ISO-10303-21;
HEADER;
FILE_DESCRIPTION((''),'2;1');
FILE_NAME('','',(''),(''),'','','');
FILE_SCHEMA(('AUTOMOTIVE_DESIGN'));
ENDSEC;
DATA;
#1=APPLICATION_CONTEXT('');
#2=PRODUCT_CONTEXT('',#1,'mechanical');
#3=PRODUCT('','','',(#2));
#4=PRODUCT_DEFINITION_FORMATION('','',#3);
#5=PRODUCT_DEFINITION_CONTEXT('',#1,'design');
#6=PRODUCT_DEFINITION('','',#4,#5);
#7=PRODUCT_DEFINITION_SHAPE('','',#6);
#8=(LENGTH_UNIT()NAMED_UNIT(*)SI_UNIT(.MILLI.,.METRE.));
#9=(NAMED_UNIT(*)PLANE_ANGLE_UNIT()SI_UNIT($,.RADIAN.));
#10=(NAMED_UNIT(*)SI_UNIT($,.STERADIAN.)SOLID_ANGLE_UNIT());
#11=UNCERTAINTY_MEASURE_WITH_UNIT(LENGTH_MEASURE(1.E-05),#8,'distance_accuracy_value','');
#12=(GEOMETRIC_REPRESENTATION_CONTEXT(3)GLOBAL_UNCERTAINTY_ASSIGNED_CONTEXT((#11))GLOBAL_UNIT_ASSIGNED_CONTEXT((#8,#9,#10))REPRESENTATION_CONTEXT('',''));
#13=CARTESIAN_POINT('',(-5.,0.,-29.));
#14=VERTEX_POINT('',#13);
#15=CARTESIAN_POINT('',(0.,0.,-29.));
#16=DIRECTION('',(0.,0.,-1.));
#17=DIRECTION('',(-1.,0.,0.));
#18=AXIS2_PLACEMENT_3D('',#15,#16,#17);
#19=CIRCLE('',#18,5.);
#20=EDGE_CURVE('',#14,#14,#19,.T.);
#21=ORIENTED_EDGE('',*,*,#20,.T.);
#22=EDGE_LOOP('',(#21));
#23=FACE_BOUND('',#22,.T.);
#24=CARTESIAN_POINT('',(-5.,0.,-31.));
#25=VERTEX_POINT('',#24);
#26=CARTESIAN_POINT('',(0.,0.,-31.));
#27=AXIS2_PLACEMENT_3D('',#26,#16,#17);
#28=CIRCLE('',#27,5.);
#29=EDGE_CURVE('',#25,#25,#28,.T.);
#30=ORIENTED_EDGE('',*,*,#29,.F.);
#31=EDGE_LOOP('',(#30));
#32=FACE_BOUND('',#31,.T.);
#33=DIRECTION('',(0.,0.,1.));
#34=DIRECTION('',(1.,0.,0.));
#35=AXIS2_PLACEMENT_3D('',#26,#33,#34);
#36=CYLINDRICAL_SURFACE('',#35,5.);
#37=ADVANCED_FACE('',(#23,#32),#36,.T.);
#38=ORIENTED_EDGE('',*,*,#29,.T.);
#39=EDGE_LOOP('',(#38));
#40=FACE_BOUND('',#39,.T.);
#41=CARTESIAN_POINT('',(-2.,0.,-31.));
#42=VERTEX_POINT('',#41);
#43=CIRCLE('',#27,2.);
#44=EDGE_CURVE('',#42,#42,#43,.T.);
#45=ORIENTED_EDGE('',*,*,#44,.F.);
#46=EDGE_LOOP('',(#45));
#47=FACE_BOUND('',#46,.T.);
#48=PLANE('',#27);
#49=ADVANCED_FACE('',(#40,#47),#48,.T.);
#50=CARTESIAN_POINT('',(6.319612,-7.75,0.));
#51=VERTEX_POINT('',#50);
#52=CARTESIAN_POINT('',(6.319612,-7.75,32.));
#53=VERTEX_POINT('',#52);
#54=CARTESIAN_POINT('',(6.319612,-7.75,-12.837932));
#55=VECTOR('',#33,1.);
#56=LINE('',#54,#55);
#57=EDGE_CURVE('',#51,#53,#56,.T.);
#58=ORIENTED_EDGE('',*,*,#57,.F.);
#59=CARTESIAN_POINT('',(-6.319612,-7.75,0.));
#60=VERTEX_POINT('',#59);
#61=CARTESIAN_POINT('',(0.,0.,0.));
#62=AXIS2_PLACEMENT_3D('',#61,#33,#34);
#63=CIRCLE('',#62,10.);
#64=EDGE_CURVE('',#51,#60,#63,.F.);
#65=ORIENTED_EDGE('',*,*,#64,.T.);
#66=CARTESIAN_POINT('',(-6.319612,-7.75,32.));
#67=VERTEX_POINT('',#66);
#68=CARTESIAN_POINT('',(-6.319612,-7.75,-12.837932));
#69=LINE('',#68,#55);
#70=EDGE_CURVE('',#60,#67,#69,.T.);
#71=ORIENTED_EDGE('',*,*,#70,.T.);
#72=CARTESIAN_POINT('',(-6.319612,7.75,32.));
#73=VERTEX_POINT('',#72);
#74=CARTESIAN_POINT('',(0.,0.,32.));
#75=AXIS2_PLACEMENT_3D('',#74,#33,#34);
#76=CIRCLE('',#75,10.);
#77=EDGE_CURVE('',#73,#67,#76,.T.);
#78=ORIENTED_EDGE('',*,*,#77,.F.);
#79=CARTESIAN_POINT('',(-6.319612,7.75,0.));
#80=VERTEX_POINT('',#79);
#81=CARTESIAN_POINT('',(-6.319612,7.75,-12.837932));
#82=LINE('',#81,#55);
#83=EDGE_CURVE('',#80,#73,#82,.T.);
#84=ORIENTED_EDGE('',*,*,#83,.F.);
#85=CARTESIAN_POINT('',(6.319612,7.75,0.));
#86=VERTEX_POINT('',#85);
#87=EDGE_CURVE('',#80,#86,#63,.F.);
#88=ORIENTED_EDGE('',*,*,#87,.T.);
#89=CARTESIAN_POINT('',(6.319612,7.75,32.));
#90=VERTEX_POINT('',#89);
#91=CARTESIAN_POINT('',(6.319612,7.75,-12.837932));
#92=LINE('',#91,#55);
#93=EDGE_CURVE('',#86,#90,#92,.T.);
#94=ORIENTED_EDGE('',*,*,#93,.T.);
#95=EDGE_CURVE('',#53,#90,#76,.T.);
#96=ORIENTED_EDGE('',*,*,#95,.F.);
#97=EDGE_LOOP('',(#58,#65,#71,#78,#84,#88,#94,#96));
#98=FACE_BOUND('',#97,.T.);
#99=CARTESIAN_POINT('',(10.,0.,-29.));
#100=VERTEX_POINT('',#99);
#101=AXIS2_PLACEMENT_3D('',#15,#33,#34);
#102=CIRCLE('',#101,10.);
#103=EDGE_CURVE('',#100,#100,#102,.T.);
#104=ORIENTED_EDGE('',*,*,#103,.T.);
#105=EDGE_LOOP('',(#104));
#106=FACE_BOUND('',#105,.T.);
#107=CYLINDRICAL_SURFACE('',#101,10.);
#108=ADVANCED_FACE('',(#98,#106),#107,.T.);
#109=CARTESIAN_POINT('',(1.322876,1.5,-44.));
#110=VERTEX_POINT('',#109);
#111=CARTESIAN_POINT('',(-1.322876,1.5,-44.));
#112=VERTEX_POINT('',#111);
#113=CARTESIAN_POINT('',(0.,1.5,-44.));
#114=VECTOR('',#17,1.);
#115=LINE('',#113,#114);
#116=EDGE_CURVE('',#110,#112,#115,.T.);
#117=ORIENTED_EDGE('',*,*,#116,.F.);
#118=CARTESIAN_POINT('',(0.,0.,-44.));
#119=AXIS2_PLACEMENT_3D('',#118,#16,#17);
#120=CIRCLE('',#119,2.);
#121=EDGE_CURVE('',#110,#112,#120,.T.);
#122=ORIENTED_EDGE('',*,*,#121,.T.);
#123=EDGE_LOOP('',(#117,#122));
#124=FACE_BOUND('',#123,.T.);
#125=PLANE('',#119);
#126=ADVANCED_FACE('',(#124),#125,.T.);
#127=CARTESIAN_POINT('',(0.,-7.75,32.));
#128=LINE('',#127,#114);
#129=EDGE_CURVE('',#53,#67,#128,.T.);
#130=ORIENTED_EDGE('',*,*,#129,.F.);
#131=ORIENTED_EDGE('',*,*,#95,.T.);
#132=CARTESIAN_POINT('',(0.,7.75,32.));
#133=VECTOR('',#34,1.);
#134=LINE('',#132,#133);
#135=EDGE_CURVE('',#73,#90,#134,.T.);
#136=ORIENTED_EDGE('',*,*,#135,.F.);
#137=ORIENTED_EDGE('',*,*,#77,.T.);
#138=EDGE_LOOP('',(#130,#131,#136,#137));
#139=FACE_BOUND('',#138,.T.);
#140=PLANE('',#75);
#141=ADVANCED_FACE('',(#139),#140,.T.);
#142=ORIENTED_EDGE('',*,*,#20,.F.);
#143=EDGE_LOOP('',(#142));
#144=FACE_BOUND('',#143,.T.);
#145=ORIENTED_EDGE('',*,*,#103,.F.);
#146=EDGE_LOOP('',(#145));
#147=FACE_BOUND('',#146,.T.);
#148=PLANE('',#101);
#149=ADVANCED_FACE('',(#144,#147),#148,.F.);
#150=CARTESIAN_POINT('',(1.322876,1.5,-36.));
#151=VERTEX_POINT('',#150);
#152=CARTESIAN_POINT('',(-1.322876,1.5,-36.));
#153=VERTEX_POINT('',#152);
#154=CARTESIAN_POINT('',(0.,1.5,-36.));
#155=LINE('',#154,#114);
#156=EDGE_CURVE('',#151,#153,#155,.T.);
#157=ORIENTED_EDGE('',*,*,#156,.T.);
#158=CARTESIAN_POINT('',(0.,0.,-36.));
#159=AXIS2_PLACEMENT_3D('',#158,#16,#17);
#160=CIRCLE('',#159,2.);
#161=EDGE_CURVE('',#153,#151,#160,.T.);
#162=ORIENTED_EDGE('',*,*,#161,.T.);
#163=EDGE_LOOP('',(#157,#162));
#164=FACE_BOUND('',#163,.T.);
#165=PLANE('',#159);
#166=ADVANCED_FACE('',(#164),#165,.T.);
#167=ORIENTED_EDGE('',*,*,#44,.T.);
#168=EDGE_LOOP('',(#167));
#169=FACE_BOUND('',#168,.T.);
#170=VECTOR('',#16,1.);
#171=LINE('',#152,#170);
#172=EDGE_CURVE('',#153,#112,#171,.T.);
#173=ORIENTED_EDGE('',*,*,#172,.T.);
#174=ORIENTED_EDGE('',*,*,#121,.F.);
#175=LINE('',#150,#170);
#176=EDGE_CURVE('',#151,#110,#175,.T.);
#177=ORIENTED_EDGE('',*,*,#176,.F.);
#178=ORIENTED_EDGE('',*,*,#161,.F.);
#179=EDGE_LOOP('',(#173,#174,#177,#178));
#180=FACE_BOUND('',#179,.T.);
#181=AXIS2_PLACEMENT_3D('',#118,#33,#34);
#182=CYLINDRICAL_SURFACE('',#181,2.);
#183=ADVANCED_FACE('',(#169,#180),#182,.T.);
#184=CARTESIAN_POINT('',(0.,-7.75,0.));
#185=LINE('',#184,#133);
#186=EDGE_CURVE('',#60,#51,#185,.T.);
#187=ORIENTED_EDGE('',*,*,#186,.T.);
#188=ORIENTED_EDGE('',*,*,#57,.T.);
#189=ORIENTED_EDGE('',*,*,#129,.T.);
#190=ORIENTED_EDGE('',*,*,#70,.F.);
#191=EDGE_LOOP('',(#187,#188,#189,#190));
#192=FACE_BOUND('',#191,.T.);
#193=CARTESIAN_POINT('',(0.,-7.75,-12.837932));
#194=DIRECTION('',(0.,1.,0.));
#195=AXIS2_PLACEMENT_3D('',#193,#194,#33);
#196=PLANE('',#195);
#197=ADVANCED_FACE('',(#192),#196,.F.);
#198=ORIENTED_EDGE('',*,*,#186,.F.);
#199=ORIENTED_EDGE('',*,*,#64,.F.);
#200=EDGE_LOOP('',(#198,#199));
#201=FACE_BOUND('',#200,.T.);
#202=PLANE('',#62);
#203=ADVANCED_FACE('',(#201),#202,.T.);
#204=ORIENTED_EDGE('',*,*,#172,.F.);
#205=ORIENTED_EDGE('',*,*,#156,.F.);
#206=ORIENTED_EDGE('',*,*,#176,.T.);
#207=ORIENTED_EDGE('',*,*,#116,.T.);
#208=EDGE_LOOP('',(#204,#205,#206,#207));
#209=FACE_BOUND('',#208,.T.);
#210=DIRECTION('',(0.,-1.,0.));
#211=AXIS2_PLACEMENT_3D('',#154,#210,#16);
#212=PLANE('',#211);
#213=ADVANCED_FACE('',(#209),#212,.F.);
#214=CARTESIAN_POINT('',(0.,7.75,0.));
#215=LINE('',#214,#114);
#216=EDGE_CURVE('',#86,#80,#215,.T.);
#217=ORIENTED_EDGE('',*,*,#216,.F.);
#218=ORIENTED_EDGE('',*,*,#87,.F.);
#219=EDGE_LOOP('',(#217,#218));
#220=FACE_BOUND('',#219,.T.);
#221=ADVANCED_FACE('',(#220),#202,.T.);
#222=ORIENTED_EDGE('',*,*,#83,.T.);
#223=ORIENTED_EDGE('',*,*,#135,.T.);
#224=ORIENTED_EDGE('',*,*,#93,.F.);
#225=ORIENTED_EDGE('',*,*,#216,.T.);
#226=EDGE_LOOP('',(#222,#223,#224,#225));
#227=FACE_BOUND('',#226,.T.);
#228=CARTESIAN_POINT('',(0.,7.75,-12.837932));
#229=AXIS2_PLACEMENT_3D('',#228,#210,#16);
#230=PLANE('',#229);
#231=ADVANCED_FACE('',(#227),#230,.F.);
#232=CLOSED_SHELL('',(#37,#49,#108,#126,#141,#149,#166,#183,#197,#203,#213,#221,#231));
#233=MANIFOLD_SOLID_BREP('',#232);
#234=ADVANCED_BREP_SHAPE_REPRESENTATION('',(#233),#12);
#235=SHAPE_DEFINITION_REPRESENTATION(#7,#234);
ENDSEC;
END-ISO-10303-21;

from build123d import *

# Parameters (mm, degrees)
BOSS_EXTRUDE1_DEPTH      = 32
BOSS_EXTRUDE1_DEPTH_BACK = 29
SKETCH1_R                = 10
CUT_EXTRUDE1_START       = -32
CUT_EXTRUDE1_DEPTH       = 32
SKETCH3_R                = 5
BOSS_EXTRUDE2_DEPTH      = 2
SKETCH4_R                = 2
BOSS_EXTRUDE3_DEPTH      = 13
CUT_EXTRUDE2_START       = -8
CUT_EXTRUDE2_DEPTH       = 8


with BuildPart() as part:
    # Sketch1 → Boss-Extrude1 (new, two sides: drawn at the far end of the back side and taken through both)
    with BuildSketch(Plane.XY.offset(-BOSS_EXTRUDE1_DEPTH_BACK)):
        Circle(SKETCH1_R)
    extrude(amount=BOSS_EXTRUDE1_DEPTH + BOSS_EXTRUDE1_DEPTH_BACK)

    # Sketch2 → Cut-Extrude1 (cut)
    with BuildSketch(Plane.XY.offset(32).offset(CUT_EXTRUDE1_START)):
        with BuildLine():
            Line((6.31961233, -7.75), (-6.31961233, -7.75))
            ThreePointArc((-6.31961233, -7.75), (0, -10), (6.31961233, -7.75))
        make_face()
        with BuildLine():
            ThreePointArc((6.31961233, 7.75), (0, 10), (-6.31961233, 7.75))
            Line((-6.31961233, 7.75), (6.31961233, 7.75))
        make_face()
    extrude(amount=CUT_EXTRUDE1_DEPTH, mode=Mode.SUBTRACT)

    # Sketch3 → Boss-Extrude2 (add)
    with BuildSketch(Plane(origin=(0, 0, -29), x_dir=(-1, 0, 0), z_dir=(0, 0, -1))):
        Circle(SKETCH3_R)
    extrude(amount=BOSS_EXTRUDE2_DEPTH)

    # Sketch4 → Boss-Extrude3 (add)
    with BuildSketch(Plane(origin=(0, 0, -31), x_dir=(-1, 0, 0), z_dir=(0, 0, -1))):
        with Locations(Location((0, 0, 0), (0, 0, 180))):
            Circle(SKETCH4_R)
    extrude(amount=BOSS_EXTRUDE3_DEPTH)

    # Sketch5 → Cut-Extrude2 (cut)
    with BuildSketch(Plane(origin=(0, 0, -44), x_dir=(-1, 0, 0), z_dir=(0, 0, -1)).offset(CUT_EXTRUDE2_START)):
        with BuildLine():
            Line((-1.322875656, 1.5), (1.322875656, 1.5))
            ThreePointArc((1.322875656, 1.5), (0, 2), (-1.322875656, 1.5))
        make_face()
    extrude(amount=CUT_EXTRUDE2_DEPTH, mode=Mode.SUBTRACT)


solid = part.part
